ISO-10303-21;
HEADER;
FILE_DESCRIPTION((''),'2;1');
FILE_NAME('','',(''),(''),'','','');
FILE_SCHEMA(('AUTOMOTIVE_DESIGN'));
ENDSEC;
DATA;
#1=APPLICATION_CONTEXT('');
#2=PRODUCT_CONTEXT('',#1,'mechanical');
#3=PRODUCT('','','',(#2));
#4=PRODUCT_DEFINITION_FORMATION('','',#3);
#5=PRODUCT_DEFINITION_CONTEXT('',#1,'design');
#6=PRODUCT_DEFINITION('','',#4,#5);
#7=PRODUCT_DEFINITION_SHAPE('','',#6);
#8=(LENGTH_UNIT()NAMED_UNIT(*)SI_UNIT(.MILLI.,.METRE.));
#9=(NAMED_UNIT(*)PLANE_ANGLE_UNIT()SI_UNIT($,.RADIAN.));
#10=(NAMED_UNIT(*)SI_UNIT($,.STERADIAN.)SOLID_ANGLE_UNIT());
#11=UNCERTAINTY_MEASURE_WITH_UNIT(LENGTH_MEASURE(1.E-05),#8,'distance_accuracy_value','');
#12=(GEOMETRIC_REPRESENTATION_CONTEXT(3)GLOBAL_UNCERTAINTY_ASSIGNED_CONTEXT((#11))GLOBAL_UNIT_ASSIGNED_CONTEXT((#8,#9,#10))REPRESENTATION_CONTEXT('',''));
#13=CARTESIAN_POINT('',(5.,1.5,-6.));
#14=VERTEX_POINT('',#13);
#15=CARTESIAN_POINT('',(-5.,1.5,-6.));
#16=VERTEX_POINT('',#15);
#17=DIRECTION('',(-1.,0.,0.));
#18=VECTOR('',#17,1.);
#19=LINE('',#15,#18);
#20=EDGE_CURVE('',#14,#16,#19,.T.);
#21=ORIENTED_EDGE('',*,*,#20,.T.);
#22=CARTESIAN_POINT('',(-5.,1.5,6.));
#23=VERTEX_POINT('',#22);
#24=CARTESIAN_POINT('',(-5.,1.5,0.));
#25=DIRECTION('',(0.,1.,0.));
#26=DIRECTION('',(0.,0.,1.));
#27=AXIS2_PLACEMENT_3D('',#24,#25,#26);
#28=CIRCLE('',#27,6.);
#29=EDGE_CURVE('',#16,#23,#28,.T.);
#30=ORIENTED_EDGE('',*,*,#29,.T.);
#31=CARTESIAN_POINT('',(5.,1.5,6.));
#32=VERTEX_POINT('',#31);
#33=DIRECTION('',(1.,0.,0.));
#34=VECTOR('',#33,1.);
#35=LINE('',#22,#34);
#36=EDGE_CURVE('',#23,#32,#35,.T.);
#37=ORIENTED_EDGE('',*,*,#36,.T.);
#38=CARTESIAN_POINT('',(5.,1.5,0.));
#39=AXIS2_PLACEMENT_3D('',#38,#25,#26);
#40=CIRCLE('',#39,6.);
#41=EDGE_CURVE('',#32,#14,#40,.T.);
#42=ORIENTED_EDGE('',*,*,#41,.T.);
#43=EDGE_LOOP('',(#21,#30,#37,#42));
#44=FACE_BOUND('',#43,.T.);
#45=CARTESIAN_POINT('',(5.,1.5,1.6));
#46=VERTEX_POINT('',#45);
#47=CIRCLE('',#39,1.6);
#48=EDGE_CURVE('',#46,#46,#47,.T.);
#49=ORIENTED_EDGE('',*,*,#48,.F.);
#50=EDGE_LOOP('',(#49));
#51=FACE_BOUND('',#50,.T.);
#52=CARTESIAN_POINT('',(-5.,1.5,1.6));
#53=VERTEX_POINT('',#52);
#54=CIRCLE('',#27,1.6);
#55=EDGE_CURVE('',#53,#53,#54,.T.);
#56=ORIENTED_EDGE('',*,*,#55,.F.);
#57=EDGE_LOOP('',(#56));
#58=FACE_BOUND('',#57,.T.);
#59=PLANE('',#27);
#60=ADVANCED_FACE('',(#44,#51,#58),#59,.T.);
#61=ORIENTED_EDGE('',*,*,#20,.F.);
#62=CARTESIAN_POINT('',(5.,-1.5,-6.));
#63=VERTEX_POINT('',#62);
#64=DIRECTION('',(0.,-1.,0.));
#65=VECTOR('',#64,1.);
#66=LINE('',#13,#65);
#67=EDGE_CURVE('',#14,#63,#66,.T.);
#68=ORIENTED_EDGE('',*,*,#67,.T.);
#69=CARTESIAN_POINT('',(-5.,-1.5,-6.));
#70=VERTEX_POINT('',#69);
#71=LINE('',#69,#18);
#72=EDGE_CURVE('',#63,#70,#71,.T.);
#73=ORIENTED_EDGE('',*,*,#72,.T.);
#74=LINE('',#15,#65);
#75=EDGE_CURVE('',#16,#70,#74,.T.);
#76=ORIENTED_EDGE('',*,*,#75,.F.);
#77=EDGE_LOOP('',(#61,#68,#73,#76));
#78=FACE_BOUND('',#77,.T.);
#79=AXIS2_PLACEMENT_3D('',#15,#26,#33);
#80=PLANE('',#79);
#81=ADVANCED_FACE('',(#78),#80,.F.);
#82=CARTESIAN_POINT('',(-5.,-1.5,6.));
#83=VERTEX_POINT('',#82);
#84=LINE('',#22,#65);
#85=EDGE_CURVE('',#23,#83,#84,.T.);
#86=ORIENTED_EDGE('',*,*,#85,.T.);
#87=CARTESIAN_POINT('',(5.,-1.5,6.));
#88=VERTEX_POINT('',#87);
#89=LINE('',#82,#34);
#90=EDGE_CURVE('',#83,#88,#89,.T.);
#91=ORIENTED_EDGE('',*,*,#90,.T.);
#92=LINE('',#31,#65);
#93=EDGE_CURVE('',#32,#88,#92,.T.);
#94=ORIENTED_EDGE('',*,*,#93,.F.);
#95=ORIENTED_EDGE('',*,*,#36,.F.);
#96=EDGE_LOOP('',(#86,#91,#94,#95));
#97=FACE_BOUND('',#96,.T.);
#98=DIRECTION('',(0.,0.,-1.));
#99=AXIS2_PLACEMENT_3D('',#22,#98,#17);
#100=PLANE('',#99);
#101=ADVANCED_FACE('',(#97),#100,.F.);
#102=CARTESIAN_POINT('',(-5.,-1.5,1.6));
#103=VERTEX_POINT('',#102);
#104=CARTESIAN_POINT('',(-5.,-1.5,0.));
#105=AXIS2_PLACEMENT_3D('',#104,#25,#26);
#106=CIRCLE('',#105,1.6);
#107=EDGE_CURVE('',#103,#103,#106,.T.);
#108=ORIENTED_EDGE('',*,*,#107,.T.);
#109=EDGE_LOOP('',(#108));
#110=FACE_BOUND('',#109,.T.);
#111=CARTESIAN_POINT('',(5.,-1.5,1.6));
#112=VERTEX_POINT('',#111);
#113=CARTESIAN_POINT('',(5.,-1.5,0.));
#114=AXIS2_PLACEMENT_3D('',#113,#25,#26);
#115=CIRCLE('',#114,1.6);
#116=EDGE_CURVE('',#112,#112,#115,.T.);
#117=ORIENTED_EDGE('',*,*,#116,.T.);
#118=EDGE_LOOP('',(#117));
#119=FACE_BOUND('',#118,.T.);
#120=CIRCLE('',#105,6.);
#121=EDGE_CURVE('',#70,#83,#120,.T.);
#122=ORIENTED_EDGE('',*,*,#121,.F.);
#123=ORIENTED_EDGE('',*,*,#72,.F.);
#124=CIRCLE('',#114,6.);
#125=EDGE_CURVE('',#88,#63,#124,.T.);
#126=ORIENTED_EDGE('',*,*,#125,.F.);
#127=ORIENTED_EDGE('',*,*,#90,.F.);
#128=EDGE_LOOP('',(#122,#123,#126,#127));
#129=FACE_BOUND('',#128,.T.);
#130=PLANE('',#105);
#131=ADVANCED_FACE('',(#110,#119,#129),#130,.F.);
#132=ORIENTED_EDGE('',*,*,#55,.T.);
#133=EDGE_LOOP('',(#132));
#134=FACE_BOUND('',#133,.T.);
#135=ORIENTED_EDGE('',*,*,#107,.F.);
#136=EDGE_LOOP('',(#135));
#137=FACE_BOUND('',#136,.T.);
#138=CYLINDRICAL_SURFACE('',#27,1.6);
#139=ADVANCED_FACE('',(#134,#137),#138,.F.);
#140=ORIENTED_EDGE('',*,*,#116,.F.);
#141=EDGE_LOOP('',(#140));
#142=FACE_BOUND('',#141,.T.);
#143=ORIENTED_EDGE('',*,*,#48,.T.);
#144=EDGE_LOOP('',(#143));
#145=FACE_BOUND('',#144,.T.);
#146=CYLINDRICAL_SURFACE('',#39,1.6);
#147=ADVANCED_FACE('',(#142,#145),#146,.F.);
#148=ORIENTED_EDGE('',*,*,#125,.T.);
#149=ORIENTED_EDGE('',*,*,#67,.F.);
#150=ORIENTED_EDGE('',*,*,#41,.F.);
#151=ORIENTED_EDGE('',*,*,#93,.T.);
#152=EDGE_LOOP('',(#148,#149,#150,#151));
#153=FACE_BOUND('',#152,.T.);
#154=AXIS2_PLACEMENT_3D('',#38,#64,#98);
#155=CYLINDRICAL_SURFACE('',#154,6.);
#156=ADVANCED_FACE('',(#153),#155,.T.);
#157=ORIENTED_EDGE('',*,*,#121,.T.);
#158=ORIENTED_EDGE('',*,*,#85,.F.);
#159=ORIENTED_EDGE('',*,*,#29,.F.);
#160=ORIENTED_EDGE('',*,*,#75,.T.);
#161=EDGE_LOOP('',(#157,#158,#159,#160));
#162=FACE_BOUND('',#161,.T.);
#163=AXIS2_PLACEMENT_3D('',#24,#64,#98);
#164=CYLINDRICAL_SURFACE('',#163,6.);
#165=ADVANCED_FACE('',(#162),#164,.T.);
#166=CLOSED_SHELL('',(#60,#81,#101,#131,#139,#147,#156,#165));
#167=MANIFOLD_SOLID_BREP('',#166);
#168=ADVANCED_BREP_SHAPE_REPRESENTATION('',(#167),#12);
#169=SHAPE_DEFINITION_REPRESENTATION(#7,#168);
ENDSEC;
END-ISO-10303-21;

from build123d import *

# Parameters (mm, degrees)
BOSS_EXTRUDE1_DEPTH      = 1.5
M3_CLEARANCE_HOLE1_D     = 3.2
M3_CLEARANCE_HOLE1_DEPTH = 3


with BuildPart() as part:
    # Sketch1 → Boss-Extrude1 (new body, symmetric)
    with BuildSketch(Plane(origin=(0, 0, 0), x_dir=(1, 0, 0), z_dir=(0, 1, 0))):
        with BuildLine():
            Line((-5, 6), (5, 6))
            ThreePointArc((5, 6), (11, 0), (5, -6))
            Line((5, -6), (-5, -6))
            ThreePointArc((-5, -6), (-11, 0), (-5, 6))
        make_face()
    extrude(amount=BOSS_EXTRUDE1_DEPTH, both=True)

    # M3 Clearance Hole1
    with Locations(Plane(origin=(0, 1.5, 0), x_dir=(1, 0, 0), z_dir=(0, 1, 0))):
        with Locations((-5, 0), (5, 0)):
            Hole(M3_CLEARANCE_HOLE1_D / 2, depth=M3_CLEARANCE_HOLE1_DEPTH)


solid = part.part
